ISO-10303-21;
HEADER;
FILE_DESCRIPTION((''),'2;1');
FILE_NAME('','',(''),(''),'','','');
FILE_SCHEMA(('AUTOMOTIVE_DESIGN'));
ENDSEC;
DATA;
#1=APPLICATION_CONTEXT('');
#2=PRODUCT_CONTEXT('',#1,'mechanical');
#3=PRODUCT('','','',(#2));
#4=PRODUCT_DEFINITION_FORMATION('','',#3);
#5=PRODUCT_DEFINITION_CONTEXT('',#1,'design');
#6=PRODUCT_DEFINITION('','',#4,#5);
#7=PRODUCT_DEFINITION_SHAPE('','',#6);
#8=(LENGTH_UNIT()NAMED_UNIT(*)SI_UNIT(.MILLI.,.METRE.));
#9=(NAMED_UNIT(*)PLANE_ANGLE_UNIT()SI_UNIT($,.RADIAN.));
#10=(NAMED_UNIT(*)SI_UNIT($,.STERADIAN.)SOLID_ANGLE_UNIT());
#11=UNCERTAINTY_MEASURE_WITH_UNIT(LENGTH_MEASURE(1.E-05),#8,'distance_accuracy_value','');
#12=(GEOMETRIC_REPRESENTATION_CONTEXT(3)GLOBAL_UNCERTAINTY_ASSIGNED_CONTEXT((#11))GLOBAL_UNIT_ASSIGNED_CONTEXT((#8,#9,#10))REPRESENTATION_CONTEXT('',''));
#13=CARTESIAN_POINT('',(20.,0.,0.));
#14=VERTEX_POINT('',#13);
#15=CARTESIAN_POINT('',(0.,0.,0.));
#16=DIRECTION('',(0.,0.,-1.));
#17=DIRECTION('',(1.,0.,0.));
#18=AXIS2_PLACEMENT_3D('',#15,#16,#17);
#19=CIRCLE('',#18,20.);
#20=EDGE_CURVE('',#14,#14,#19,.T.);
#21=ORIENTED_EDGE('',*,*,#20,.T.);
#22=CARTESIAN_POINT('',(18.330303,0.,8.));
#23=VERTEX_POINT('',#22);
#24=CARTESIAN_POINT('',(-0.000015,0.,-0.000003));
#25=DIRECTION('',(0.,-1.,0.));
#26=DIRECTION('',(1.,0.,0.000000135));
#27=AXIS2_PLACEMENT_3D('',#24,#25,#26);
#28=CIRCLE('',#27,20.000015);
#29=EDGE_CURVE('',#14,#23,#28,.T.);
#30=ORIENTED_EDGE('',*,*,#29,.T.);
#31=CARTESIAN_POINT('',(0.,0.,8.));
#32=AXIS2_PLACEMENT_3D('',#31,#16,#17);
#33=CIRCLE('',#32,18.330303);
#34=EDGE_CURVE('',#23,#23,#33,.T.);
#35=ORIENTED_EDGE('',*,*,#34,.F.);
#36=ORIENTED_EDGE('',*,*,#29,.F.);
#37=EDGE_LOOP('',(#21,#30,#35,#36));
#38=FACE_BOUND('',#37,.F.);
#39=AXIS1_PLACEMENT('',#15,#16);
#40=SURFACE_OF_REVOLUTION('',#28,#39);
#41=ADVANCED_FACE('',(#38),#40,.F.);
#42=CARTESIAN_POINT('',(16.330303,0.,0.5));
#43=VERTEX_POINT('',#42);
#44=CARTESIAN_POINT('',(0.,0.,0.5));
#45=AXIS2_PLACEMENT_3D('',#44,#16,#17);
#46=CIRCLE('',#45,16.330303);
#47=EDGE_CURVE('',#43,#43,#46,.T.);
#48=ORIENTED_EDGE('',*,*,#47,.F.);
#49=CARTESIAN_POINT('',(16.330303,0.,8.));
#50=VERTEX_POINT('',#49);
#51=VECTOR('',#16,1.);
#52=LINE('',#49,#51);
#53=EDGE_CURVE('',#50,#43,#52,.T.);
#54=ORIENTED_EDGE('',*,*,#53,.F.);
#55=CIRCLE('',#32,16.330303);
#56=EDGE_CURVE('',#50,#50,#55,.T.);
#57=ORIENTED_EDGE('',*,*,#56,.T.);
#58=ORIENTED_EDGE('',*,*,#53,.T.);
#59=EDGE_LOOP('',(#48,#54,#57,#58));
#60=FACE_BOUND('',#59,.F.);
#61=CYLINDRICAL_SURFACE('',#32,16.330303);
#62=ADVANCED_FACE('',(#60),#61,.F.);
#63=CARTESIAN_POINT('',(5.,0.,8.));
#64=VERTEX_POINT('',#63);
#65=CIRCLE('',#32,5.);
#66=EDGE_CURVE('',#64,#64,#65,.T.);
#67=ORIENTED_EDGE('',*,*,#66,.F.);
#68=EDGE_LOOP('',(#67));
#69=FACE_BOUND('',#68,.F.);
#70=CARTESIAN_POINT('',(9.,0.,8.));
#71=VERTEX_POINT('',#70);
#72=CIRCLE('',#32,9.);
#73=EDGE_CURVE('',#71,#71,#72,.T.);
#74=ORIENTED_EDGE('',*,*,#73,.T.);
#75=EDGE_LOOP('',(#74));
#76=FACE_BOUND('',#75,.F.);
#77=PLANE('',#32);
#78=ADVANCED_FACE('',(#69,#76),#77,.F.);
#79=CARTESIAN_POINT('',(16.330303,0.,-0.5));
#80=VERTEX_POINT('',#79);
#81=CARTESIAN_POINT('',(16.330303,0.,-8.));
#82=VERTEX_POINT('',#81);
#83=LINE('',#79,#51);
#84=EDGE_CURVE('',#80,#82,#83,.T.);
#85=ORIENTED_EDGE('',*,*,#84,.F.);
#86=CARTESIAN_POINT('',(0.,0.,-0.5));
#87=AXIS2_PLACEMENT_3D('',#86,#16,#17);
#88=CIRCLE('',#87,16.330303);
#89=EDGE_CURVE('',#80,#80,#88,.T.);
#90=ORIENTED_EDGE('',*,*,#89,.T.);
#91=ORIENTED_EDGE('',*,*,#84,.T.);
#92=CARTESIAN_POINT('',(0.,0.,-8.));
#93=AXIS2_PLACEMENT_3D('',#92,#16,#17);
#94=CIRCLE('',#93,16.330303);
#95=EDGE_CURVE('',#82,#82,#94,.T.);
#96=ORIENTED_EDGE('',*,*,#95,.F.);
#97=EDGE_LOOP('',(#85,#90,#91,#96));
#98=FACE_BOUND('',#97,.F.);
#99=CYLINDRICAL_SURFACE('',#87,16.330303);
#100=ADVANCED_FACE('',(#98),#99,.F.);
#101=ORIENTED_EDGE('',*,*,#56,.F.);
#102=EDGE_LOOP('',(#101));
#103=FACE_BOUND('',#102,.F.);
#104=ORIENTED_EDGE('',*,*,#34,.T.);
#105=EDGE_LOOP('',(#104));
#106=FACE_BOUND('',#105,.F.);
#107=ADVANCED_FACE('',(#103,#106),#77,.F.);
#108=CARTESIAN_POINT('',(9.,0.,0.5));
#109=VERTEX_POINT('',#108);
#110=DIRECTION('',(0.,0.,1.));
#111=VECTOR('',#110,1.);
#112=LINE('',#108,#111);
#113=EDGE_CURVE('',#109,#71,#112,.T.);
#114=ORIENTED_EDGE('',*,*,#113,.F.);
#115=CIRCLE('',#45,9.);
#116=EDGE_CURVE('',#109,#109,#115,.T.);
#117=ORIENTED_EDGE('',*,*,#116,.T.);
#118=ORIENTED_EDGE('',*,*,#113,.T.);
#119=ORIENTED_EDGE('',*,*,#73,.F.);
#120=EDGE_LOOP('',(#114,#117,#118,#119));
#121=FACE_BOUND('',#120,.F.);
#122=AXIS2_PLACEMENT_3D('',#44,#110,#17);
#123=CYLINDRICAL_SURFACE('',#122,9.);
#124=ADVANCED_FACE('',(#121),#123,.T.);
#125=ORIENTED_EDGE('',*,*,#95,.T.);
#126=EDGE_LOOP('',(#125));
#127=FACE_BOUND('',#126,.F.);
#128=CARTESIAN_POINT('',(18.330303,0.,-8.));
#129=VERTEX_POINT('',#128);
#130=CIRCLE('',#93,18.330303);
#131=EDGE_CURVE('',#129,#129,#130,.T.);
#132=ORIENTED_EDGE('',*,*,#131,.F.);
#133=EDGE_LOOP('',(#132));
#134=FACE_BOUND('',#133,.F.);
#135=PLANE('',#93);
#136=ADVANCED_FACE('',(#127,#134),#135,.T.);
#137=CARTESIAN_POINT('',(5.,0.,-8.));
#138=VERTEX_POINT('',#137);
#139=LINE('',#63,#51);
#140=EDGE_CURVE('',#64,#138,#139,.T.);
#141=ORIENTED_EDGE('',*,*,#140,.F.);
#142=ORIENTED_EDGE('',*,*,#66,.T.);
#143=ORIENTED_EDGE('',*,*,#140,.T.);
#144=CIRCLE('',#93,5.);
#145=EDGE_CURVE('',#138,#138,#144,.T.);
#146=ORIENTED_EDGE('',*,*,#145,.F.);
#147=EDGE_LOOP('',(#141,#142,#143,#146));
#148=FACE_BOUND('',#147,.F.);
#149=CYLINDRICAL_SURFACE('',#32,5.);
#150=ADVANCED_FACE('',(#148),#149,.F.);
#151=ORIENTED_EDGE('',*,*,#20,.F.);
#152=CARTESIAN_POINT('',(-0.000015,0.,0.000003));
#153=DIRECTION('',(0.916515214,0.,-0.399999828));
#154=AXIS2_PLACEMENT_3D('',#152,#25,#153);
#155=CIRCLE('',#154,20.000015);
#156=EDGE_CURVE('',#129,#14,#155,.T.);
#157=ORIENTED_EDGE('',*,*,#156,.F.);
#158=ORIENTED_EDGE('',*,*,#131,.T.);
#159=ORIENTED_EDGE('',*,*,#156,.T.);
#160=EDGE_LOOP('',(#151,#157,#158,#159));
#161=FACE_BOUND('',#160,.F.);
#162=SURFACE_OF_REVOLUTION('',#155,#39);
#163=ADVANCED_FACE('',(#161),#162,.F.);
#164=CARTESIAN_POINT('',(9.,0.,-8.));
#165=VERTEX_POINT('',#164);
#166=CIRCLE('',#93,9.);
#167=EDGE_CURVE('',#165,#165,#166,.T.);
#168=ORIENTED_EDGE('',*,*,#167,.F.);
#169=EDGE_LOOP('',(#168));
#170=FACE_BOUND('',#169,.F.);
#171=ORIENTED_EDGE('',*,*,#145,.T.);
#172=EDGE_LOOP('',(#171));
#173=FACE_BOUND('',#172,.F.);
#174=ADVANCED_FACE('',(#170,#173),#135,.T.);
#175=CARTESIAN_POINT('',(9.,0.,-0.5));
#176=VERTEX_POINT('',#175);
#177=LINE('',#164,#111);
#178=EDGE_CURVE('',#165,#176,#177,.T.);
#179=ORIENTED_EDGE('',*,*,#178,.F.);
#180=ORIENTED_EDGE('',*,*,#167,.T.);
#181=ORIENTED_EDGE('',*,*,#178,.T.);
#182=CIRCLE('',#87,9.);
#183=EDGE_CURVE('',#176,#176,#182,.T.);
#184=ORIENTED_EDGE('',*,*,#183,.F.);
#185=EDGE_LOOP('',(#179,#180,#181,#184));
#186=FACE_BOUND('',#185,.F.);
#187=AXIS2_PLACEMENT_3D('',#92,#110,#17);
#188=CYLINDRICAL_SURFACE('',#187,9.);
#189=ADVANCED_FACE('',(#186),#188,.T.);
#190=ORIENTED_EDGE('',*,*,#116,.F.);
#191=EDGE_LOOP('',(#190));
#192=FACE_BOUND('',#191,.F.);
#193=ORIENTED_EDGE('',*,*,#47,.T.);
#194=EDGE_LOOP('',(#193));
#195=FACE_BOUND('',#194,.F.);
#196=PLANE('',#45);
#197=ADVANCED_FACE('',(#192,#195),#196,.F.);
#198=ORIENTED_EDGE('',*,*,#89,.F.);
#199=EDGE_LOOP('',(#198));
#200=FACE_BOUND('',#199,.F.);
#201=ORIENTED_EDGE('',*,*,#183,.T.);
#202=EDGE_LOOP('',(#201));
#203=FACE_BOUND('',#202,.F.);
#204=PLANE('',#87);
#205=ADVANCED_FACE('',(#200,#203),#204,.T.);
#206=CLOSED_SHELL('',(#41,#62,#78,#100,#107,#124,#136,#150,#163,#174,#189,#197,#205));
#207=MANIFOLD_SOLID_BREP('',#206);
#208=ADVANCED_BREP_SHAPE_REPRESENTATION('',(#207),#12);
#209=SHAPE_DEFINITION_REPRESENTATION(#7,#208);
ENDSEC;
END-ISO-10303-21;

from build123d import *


with BuildPart() as f1:
    # F0 (on Front) → F1 (revolve)
    with BuildSketch(Plane.XZ):
        with BuildLine():
            ThreePointArc((18.330303, -8), (19.578126, -4.086193), (20, 0))
            ThreePointArc((20, 0), (19.578126, 4.086193), (18.330303, 8))
            Line((18.330303, 8), (16.330303, 8))
            Line((16.330303, 8), (16.330303, 0.5))
            Line((16.330303, 0.5), (9, 0.5))
            Line((9, 0.5), (9, 8))
            Line((9, 8), (5, 8))
            Line((5, 8), (5, -8))
            Line((5, -8), (9, -8))
            Line((9, -8), (9, -0.5))
            Line((9, -0.5), (16.330303, -0.5))
            Line((16.330303, -0.5), (16.330303, -8))
            Line((16.330303, -8), (18.330303, -8))
        make_face()
    revolve(axis=Axis((0, 0, 0), (0, 0, -1)))


solid = f1.part
